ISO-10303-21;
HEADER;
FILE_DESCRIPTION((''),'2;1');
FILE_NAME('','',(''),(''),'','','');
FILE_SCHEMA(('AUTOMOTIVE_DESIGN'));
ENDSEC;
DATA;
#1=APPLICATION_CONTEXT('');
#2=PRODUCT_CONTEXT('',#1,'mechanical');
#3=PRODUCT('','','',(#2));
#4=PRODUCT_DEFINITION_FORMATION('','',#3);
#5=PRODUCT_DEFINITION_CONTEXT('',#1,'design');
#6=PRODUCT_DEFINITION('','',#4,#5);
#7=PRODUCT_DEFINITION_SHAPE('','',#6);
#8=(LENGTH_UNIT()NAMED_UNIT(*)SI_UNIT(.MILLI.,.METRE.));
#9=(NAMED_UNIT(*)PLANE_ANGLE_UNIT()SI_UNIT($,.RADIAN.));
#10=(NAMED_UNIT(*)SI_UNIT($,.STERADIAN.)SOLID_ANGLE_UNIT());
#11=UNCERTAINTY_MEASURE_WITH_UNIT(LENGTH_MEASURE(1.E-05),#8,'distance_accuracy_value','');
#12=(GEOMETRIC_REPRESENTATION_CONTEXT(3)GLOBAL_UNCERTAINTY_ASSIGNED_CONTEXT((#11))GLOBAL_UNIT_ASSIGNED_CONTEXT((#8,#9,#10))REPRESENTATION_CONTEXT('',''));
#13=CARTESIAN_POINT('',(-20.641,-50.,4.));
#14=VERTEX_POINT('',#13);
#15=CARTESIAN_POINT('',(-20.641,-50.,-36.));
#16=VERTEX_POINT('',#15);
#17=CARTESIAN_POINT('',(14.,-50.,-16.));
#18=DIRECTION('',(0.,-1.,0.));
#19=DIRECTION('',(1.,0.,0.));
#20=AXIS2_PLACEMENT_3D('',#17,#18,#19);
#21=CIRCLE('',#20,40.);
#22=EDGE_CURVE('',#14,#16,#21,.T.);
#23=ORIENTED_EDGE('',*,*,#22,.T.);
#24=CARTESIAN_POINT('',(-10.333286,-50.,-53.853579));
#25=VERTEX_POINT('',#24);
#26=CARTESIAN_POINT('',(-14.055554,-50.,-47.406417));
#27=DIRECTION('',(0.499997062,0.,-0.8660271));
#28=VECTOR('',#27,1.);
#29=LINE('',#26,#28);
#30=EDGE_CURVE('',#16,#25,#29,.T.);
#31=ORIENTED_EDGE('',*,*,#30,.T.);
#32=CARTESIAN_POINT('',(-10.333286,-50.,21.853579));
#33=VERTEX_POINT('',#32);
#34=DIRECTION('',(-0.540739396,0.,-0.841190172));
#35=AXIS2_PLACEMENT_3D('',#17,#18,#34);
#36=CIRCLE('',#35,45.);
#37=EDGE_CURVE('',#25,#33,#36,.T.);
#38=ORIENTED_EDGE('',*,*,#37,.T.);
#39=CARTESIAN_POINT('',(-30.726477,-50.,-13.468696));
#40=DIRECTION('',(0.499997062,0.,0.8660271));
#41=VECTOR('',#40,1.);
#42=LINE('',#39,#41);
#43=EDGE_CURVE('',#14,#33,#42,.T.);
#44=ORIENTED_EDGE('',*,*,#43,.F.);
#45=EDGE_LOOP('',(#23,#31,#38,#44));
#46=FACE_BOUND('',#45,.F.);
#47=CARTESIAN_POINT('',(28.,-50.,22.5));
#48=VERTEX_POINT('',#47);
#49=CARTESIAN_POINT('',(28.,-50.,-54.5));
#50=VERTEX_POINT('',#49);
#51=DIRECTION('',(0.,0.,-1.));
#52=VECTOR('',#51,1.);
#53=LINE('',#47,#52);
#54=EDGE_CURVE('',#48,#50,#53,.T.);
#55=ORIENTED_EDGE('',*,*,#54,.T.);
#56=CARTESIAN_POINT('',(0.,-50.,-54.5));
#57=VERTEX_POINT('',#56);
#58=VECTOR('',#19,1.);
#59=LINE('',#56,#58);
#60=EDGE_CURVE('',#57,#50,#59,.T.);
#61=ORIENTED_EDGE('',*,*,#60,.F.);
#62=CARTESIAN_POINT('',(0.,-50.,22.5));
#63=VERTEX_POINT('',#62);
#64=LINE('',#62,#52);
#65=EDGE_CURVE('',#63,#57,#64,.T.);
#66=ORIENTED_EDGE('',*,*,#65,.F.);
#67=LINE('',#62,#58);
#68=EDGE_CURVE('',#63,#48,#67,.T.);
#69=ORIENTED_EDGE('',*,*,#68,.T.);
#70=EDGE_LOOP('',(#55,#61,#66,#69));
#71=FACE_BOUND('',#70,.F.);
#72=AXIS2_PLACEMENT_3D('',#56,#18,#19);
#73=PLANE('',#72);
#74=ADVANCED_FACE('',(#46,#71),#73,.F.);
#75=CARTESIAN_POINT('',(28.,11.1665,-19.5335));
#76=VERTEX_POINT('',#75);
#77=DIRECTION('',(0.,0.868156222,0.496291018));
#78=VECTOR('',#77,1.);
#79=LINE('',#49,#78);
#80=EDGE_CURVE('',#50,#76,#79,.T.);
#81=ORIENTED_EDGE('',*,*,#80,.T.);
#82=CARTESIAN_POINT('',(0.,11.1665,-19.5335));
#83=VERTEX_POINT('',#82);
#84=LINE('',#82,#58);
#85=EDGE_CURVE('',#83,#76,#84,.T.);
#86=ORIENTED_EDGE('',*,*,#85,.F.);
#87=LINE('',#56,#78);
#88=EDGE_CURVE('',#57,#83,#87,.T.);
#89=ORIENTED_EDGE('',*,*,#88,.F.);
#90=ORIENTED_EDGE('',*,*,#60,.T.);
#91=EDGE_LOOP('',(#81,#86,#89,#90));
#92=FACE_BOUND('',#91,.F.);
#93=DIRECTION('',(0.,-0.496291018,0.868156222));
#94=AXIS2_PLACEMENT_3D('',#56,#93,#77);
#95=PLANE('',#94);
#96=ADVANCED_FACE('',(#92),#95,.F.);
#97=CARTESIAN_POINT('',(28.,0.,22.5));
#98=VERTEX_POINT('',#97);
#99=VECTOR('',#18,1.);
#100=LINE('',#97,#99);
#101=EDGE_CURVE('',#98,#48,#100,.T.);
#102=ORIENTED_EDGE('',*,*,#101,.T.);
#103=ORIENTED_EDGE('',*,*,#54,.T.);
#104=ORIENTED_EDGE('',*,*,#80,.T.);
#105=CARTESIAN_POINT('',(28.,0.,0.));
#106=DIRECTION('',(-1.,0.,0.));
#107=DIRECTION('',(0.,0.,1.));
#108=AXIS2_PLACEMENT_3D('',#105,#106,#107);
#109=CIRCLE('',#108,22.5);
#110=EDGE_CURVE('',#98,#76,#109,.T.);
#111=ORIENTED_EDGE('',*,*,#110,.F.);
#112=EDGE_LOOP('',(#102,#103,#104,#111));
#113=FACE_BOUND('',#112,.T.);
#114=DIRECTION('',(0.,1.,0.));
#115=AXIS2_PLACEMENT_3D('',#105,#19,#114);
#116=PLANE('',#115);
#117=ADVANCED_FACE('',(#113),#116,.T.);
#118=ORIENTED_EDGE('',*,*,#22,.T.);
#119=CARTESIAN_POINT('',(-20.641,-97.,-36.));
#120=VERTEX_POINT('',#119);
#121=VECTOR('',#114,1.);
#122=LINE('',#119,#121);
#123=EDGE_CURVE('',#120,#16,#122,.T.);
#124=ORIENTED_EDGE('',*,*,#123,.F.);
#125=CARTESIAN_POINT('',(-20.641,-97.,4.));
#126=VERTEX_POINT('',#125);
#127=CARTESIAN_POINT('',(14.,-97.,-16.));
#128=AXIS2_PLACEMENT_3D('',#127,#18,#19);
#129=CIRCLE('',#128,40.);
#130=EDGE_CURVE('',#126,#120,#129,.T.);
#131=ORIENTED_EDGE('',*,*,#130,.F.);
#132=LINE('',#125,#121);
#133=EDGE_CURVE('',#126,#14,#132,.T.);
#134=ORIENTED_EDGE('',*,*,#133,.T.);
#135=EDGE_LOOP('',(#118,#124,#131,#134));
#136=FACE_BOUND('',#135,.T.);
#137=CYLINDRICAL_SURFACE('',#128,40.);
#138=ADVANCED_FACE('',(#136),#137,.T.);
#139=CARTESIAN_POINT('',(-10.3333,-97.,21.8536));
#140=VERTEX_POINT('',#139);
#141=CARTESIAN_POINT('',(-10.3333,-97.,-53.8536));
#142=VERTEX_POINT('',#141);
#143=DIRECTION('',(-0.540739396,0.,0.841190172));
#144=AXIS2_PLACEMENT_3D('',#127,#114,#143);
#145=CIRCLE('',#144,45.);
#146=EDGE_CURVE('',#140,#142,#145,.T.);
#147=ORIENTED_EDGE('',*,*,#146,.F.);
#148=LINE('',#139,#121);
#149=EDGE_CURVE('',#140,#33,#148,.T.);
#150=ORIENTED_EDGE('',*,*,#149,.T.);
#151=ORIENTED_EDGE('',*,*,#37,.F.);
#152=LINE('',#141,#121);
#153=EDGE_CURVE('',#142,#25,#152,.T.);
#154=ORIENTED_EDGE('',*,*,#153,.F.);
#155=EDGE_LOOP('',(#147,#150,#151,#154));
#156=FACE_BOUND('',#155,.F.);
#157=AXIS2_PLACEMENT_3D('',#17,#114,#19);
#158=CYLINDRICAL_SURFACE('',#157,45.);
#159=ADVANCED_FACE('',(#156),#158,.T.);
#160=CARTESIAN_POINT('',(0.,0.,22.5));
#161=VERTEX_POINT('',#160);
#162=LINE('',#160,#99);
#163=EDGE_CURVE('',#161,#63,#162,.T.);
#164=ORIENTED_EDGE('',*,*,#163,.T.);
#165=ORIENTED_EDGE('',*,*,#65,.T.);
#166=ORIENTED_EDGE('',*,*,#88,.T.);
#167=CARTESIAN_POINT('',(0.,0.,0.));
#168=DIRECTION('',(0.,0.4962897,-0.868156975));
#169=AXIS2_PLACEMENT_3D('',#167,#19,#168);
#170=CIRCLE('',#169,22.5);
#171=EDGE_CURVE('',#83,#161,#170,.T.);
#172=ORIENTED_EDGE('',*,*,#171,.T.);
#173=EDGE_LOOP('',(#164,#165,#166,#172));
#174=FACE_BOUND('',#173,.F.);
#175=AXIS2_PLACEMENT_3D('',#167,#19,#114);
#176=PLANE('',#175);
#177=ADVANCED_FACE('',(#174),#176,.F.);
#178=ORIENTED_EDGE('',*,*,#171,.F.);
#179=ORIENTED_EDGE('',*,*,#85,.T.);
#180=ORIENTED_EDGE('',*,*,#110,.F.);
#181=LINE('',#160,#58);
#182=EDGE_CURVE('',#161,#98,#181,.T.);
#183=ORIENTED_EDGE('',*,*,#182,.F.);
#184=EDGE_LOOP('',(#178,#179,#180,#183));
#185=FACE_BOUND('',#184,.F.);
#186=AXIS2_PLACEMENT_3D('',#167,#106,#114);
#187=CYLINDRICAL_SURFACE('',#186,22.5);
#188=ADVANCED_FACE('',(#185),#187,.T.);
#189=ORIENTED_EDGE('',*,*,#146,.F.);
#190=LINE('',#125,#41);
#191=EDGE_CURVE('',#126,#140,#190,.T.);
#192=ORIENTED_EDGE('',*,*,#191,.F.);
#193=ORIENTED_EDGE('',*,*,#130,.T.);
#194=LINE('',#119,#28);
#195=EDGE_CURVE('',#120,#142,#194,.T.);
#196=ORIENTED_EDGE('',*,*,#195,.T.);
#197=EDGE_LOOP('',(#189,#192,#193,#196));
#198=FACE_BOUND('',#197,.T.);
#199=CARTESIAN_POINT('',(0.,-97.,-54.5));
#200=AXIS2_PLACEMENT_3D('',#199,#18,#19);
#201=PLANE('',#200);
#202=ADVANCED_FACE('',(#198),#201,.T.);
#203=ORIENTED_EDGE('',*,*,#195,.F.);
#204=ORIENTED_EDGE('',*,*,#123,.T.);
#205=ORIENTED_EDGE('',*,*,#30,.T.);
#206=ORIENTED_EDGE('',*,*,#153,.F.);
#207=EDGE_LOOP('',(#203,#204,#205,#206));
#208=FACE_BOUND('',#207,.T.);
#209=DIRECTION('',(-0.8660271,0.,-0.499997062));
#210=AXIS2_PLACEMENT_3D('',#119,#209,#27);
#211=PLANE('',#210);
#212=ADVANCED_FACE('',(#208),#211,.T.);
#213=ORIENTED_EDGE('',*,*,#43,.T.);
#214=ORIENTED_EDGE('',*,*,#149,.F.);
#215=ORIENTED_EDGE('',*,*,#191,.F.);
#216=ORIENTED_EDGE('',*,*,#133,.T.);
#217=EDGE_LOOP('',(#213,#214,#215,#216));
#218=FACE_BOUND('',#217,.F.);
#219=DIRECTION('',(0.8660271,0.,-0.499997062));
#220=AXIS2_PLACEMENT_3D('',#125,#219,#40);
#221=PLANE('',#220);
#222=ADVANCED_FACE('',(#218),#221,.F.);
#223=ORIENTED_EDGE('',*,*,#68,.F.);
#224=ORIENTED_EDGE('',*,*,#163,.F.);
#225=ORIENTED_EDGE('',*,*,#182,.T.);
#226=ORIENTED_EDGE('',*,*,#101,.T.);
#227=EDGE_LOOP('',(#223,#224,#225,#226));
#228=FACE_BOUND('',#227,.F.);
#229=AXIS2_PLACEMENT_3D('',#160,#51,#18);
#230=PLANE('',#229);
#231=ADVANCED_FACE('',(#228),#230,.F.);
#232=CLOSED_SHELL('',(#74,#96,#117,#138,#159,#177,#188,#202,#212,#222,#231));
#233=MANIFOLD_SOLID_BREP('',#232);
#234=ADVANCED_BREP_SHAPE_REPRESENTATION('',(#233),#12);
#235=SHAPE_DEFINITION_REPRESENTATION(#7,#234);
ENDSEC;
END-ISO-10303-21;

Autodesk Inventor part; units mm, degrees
ref_plane "YZ Plane" through (0, 0, 0) normal (1, 0, 0) x (0, 1, 0)
ref_plane "XZ Plane" through (0, 0, 0) normal (0, 1, 0) x (-1, 0, 0)
sketch "Sketch1" plane through (0, 0, 0) normal (1, 0, 0) x (0, 1, 0)
  circle A0 centre (0, 0) radius 22.5
  line L0 (0, 22.5) -> (-50, 22.5)
  line L1 (-50, 22.5) -> (-50, -54.5)
  line L2 (-50, -54.5) -> (11.1665, -19.5335)
  dimension "d0" = 45
  dimension "d1" = 50
  dimension "d2" = 77
extrude "Extrusion1" add sketch "Sketch1" along normal blind 28
sketch "Sketch2" plane through (0, -50, -54.5) normal (0, -1, 0) x (1, 0, 0)
  circle A0 centre (14, 38.5) radius 45
  line L0 (0, 77) -> (28, 77) projected
  line L1 (0, 77) -> (0, 0) projected
  point P0 (0, 54.5)
  point P1 (14, 77)
  point P2 (0, 38.5)
  dimension "d5" = 90
extrude "Extrusion2" add sketch "Sketch2" along normal blind 47
sketch "Sketch3" plane through (14, -97, -16) normal (0, -1, 0) x (1, 0, 0)
  circle A0 centre (0, 0) radius 45 projected
  circle A1 centre (0, 0) radius 40
  line L0 (0, 0) -> (-45, 0) construction
  line L1 (0, 0) -> (-38.9711, 22.5) construction
  line L2 (0, 0) -> (-38.9711, -22.5) construction
  line L3 (-34.641, 20) -> (-24.3333, 37.8536)
  line L4 (-34.641, -20) -> (-24.3333, -37.8536)
  point P0 (-14, 16)
  dimension "d14" = 80
  dimension "d15" = 30
extrude "Extrusion3" cut sketch "Sketch3" against normal through all contours L3 A1 L4 A0 picked at (-30.1132, -30.0405)
ref_plane "Work Plane1" through (0, -73.5, -54.5) normal (0, 1, 0) x (1, 0, 0)
properties part number "hip_back"
